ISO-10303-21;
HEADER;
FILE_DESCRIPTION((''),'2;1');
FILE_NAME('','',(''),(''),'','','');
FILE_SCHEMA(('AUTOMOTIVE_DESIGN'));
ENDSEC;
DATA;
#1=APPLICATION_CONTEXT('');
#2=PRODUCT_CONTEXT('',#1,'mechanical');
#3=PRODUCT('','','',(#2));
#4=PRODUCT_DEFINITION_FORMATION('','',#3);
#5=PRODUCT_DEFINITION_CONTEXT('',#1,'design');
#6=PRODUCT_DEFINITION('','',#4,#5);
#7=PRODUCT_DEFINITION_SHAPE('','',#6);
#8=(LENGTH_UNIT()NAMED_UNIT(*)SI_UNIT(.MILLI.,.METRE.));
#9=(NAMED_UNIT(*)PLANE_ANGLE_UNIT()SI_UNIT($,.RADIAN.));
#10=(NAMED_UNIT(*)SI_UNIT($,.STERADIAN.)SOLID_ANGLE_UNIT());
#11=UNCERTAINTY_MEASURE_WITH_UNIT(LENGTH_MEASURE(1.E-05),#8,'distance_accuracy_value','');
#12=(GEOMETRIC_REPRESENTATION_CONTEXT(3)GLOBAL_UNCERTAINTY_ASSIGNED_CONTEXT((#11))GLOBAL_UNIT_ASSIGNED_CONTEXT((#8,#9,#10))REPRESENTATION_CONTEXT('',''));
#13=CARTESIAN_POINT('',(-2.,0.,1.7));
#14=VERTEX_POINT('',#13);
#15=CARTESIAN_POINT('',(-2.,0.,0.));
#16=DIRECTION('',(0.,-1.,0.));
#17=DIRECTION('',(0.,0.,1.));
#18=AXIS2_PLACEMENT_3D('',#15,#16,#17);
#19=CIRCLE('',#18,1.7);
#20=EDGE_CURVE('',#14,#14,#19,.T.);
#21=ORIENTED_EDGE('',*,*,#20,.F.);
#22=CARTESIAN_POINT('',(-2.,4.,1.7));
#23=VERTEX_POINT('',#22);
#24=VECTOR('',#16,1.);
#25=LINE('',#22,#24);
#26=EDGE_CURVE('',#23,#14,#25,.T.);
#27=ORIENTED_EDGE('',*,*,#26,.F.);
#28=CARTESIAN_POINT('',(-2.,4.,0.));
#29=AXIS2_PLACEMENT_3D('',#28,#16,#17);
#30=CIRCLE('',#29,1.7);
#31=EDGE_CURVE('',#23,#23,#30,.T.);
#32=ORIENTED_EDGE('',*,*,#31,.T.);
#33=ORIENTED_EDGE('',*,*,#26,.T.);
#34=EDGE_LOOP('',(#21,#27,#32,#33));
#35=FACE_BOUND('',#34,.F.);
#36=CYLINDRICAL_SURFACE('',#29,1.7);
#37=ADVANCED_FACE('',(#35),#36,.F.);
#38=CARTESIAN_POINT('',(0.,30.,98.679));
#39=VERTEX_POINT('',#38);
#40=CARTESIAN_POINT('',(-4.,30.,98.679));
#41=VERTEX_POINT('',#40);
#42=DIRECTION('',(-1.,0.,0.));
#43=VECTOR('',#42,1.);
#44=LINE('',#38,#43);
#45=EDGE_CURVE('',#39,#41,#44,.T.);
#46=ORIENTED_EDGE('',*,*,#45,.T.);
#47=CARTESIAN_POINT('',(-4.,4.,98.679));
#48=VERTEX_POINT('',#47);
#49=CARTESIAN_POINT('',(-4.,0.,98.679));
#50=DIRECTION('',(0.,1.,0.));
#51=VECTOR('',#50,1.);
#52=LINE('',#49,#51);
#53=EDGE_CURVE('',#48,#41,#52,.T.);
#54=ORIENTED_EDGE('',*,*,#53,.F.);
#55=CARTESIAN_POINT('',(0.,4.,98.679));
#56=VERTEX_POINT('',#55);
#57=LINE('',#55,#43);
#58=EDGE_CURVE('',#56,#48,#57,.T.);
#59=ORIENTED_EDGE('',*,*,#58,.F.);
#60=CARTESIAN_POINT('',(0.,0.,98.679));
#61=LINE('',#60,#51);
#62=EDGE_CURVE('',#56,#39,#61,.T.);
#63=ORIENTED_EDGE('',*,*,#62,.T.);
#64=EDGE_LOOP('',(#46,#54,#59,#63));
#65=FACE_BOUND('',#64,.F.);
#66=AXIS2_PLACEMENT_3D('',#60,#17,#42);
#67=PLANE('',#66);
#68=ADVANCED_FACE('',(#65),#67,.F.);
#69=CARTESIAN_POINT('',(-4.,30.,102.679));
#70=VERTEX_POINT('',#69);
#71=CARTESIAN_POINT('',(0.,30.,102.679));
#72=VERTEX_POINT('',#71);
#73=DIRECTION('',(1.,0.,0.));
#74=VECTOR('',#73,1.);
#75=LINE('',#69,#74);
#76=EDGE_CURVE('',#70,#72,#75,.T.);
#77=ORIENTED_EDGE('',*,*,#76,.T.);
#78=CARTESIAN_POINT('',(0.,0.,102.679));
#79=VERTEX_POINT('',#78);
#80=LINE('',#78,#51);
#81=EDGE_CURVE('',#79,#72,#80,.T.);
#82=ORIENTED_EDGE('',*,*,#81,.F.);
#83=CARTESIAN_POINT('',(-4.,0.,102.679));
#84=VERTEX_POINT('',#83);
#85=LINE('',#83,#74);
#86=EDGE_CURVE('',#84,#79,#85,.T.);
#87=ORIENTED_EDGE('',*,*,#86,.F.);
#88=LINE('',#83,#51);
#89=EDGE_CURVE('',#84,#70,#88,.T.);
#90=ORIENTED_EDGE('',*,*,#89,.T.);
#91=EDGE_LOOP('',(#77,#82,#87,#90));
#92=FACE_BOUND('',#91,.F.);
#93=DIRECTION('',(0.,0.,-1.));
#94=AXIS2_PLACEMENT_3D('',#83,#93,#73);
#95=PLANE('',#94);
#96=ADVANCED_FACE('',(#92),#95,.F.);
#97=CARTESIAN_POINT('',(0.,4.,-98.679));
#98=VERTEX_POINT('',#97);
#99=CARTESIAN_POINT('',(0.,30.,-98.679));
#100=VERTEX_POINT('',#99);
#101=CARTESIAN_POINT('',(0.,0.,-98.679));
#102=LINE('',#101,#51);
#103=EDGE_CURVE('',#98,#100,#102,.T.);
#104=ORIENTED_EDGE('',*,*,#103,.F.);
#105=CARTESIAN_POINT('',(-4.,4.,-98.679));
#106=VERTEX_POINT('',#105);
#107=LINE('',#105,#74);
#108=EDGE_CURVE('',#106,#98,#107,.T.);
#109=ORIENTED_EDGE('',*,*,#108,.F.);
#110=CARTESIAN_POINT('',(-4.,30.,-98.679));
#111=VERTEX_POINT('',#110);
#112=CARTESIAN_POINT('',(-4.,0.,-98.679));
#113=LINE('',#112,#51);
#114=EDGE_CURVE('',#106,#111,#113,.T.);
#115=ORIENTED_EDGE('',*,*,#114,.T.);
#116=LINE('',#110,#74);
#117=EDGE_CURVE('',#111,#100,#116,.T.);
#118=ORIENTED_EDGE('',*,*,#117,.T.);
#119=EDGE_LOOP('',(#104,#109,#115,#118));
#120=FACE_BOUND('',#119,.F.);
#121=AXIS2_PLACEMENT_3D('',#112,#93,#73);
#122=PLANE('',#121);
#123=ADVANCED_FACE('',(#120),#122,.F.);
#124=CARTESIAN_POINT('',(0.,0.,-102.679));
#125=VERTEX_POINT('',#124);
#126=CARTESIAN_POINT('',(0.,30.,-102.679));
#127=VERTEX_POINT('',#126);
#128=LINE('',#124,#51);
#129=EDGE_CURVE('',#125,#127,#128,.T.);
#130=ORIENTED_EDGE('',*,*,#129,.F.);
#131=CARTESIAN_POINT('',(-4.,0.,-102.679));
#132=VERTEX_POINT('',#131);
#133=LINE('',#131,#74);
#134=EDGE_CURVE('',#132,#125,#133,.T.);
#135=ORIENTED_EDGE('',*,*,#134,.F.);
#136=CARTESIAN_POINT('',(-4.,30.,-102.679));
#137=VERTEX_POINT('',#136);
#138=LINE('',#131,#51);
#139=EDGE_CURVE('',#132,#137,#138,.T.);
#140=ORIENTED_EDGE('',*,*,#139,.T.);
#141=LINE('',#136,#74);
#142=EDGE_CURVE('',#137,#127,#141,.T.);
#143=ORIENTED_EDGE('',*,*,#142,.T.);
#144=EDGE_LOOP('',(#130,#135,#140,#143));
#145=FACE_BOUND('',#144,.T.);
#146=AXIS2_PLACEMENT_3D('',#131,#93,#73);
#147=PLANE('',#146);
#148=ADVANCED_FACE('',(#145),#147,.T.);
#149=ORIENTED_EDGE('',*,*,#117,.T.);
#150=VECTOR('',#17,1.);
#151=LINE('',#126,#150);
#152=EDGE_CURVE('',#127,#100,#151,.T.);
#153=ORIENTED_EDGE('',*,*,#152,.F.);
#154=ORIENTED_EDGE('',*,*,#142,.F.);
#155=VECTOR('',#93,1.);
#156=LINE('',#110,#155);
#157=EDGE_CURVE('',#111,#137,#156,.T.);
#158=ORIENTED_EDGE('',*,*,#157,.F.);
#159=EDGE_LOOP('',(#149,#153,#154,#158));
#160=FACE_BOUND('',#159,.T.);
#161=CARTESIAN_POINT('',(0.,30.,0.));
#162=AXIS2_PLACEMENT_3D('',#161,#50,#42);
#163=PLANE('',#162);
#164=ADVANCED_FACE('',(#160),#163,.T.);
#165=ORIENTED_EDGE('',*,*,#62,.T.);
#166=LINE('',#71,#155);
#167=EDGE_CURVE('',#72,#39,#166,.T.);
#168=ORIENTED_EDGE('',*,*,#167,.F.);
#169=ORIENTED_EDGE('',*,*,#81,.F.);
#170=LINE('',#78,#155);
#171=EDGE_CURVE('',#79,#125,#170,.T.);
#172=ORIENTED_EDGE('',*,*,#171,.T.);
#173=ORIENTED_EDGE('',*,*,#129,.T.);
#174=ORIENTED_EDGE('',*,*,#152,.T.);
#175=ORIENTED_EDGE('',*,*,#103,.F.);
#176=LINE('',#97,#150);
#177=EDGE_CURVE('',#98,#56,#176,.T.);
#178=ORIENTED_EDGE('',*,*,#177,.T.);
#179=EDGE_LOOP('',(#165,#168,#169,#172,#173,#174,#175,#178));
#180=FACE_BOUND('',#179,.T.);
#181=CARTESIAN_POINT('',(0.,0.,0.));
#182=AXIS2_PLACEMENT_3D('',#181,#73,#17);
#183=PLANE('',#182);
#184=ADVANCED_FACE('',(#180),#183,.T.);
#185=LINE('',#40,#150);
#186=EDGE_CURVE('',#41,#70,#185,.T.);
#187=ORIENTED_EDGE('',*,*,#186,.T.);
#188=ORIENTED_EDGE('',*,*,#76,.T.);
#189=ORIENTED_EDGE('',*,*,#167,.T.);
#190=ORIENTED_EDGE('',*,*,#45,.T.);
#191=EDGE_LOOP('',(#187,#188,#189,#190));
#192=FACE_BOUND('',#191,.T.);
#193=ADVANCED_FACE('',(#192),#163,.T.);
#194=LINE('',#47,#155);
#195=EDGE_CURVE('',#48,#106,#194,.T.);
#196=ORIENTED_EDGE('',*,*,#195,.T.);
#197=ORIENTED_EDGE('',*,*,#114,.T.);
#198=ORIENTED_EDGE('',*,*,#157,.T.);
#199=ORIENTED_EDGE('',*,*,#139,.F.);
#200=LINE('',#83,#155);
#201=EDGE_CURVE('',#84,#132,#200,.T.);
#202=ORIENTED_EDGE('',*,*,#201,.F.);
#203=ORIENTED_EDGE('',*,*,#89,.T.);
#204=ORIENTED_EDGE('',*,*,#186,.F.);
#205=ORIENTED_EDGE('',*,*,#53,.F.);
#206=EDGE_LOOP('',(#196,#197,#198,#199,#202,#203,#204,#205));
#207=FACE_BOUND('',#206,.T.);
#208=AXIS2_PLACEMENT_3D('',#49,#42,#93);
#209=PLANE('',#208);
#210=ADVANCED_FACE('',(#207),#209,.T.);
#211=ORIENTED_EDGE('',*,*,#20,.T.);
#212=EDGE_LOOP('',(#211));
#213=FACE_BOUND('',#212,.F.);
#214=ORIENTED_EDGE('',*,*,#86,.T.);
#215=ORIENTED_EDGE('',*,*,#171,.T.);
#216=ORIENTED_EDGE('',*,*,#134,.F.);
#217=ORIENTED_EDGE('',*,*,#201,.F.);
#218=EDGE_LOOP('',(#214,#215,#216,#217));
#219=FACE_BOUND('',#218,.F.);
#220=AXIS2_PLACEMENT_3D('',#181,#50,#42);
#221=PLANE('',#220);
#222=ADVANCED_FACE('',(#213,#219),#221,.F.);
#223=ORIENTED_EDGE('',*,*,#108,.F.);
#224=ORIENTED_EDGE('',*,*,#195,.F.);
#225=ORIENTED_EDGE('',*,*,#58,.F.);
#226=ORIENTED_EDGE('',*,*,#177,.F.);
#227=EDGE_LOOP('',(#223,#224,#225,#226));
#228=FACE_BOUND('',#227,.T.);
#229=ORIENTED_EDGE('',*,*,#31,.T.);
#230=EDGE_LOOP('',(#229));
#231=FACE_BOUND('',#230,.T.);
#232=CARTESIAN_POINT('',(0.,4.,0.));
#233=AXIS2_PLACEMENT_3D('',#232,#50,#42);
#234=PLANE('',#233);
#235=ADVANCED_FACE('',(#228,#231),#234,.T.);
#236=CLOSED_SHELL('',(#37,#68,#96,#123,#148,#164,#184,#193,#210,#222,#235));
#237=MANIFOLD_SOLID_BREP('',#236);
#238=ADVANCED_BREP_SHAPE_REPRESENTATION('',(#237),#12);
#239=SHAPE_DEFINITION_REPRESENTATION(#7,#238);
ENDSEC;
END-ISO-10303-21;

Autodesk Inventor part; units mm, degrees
ref_plane "YZ Plane" through (0, 0, 0) normal (1, 0, 0) x (0, 1, 0)
ref_plane "XZ Plane" through (0, 0, 0) normal (0, 1, 0) x (-1, 0, 0)
ref_plane "XY Plane" through (0, 0, 0) normal (0, 0, 1) x (1, 0, 0)
sketch "Sketch1" plane through (0, 0, 0) normal (0, 1, 0) x (-1, 0, 0)
  line L0 (0, 0) -> (0, 98.679)
  line L1 (0, 0) -> (98.679, 0) construction
  line L2 (0, 98.679) -> (0, -98.679)
  line L3 (0, 98.679) -> (4, 98.679)
  line L4 (4, 98.679) -> (4, -98.679)
  line L5 (4, -98.679) -> (0, -98.679)
  line L6 (4, -98.679) -> (4, -102.679)
  line L7 (4, -102.679) -> (0, -102.679)
  line L8 (0, -102.679) -> (0, -98.679)
  line L9 (4, 98.679) -> (4, 102.679)
  line L10 (4, 102.679) -> (0, 102.679)
  line L11 (0, 102.679) -> (0, 98.679)
  dimension "d0" = 98.679
  dimension "d1" = 90
  dimension "d2" = 197.358
  dimension "d3" = 4
  dimension "d4" = 4
  dimension "d5" = 4
extrude "Extrusion3" add sketch "Sketch1" along normal blind 4 contours L0 L3 L4 L5 L2
extrude "Extrusion4" add sketch "Sketch1" along normal blind 30 contours L11 L10 L9 L3 | L5 L6 L7 L8
sketch "Sketch3" plane through (0, 4, 0) normal (0, 1, 0) x (1, 0, 0)
  line L0 (-4, 102.679) -> (-4, -102.679) projected
  line L1 (-4, -102.679) -> (-2, -102.679)
  line L2 (-2, -102.679) -> (-2, 0)
  point P0 (0, 0)
  dimension "d15" = 2
hole "Hole1" at (-2, 4, 0) direction (0, -1, 0) diameter 3.4 end through all clearance for "Flat Head Machine Screw" size "M3" standard "Ansi Metric M Profile"
